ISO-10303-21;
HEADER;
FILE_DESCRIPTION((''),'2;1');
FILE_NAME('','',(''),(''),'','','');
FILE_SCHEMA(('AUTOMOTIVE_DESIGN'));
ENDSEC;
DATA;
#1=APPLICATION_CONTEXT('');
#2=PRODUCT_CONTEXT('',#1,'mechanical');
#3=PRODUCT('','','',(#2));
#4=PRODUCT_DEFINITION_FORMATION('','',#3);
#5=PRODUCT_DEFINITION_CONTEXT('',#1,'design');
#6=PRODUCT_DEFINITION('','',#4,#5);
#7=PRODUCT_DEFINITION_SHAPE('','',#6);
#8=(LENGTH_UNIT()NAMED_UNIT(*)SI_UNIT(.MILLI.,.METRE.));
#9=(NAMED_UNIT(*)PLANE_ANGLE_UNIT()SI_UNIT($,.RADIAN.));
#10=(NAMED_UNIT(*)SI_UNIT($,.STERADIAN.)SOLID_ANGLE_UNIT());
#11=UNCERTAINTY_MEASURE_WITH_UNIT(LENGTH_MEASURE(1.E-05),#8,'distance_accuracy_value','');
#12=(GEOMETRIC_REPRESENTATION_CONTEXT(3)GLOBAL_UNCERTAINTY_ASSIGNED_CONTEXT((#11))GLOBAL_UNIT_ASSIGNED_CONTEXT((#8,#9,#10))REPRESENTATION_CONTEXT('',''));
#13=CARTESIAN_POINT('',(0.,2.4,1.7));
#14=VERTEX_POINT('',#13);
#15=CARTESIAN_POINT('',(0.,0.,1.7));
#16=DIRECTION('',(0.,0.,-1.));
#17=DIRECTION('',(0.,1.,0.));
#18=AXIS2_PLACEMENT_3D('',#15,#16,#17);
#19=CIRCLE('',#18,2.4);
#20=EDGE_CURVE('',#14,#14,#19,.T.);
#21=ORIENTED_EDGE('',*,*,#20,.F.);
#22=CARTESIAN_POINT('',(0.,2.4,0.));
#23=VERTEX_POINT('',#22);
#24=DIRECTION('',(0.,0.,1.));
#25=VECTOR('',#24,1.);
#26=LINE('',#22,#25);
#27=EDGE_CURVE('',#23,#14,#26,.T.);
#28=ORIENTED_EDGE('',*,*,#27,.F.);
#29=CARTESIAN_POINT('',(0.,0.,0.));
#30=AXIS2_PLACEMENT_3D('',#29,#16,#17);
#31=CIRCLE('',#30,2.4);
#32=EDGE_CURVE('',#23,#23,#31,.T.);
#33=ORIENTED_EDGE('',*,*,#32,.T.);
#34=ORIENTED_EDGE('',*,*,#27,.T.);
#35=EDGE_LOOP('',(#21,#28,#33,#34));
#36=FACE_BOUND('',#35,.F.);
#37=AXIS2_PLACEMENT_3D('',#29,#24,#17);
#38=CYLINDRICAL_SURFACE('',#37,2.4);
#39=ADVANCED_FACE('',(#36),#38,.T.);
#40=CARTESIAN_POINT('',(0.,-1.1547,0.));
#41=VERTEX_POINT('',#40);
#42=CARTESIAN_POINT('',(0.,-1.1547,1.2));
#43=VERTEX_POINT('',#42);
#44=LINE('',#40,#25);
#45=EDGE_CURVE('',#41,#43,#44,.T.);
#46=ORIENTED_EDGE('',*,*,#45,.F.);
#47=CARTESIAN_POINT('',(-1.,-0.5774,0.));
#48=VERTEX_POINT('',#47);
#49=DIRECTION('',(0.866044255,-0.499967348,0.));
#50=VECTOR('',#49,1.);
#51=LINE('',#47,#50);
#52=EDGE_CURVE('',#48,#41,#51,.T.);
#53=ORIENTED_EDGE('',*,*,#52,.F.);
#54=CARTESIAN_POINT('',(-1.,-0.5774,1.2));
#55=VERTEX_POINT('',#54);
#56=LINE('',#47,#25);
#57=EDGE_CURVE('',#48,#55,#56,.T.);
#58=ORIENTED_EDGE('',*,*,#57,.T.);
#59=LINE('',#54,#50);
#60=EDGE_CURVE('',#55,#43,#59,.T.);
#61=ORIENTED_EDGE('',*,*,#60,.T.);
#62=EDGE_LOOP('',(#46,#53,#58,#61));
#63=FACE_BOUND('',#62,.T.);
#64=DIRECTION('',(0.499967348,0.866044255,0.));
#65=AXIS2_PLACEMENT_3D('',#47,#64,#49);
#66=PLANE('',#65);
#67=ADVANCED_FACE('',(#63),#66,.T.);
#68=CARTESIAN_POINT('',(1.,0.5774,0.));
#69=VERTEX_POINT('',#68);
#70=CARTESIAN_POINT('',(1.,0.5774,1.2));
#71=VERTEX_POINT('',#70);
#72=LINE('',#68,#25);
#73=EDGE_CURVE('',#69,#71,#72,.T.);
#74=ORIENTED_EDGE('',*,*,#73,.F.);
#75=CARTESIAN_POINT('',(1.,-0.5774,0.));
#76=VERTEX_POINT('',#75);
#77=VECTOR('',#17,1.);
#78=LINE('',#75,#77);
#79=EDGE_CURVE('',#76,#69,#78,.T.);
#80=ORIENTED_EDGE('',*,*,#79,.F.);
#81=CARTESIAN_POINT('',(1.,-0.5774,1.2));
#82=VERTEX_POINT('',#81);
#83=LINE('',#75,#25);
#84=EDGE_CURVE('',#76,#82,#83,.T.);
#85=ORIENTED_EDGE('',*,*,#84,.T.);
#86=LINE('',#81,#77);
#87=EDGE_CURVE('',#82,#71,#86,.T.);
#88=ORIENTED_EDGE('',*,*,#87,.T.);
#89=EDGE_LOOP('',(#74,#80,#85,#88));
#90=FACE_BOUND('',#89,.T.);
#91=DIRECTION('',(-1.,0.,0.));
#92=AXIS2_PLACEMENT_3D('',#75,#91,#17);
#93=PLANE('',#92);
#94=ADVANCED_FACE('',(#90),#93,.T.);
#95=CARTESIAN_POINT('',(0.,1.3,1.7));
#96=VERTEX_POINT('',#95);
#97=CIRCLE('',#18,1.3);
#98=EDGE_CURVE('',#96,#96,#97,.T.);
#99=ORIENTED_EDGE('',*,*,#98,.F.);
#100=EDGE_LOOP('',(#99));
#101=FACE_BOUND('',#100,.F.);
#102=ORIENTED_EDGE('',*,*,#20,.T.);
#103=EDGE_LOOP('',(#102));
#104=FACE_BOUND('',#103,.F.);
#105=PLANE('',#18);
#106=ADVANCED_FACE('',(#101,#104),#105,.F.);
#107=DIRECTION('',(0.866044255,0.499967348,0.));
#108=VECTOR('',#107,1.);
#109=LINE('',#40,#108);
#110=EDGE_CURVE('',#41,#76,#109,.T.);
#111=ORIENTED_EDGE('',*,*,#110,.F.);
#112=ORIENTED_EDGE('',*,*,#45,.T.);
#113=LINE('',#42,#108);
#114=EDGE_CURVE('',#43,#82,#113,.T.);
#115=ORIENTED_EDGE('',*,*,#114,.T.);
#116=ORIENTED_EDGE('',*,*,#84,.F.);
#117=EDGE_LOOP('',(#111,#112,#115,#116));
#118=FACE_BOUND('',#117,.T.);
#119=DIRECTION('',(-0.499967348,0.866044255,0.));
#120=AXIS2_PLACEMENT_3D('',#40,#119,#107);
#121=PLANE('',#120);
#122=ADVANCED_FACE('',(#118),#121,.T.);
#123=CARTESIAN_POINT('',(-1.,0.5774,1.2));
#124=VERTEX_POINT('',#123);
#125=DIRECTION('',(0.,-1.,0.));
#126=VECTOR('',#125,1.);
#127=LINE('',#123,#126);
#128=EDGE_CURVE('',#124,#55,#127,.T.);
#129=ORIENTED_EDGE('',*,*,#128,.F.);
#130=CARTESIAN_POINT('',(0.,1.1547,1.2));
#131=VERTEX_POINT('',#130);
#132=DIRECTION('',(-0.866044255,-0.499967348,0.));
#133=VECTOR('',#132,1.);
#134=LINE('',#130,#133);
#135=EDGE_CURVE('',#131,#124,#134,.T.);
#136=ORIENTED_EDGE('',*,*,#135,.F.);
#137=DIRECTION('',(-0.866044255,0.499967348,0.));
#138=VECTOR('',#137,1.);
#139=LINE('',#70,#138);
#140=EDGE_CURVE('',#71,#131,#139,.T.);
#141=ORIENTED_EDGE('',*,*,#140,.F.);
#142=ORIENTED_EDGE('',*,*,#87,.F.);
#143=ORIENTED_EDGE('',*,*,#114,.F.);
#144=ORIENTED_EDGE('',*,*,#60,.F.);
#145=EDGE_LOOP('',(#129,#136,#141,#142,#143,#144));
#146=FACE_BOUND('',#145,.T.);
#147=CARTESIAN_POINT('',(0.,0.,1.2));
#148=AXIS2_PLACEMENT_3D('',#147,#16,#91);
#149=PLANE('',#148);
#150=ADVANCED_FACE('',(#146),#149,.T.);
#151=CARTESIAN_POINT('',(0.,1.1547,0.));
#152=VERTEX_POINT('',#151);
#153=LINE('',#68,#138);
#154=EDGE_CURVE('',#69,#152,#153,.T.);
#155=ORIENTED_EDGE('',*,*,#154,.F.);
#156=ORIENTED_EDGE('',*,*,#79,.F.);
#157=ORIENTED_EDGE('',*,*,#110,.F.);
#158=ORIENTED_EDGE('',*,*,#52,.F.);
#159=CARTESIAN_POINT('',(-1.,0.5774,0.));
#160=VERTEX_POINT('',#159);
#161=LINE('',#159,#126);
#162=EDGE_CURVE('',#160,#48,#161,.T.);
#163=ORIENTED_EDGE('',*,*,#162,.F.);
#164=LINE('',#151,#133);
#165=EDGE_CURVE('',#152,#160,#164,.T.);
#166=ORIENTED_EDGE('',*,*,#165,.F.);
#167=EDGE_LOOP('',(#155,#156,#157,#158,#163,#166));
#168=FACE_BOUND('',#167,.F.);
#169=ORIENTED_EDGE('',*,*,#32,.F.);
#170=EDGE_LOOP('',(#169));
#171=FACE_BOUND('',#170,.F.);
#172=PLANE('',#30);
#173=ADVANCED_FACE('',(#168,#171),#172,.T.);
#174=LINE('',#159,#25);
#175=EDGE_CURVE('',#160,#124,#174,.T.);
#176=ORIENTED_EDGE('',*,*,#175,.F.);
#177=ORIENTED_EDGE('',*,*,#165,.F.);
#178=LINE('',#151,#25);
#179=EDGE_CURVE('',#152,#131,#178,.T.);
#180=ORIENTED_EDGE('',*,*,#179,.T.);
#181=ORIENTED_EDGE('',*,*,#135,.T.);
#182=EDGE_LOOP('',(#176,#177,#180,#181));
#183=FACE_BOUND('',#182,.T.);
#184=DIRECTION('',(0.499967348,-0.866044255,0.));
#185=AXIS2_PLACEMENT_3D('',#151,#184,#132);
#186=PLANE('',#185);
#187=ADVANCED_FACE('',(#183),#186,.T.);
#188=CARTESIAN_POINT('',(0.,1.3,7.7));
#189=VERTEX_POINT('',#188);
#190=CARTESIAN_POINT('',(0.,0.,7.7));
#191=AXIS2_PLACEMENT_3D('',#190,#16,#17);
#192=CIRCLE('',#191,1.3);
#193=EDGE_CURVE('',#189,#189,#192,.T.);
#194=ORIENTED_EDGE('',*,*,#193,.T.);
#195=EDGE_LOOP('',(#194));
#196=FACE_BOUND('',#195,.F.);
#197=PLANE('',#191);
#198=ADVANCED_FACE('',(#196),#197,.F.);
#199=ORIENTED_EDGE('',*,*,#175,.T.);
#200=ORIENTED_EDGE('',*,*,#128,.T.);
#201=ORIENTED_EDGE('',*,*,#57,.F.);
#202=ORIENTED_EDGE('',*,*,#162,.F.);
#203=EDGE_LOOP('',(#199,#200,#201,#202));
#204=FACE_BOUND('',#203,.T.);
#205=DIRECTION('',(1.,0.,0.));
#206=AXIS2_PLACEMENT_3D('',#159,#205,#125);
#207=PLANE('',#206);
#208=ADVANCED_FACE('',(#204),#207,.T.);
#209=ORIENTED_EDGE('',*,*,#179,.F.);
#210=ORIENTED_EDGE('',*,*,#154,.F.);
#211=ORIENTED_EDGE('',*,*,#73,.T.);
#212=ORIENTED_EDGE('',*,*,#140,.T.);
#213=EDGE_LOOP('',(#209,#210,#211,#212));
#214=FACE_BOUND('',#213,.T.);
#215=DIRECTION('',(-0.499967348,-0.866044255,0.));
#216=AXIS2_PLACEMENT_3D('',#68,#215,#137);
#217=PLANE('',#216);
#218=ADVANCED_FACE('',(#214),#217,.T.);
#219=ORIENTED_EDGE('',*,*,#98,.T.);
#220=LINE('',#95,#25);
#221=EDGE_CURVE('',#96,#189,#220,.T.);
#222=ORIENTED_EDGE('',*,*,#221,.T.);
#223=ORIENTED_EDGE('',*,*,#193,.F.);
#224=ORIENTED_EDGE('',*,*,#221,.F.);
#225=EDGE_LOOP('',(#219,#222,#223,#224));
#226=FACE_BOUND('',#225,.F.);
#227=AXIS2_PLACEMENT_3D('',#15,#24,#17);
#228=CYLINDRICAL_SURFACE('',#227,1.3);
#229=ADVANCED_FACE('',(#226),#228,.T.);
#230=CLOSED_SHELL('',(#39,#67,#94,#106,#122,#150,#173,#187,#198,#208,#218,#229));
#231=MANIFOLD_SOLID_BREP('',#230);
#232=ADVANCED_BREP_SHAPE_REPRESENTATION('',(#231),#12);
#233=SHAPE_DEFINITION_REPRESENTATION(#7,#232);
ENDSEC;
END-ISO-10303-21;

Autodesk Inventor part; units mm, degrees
ref_plane "YZ Plane" through (0, 0, 0) normal (1, 0, 0) x (0, 1, 0)
ref_plane "XZ Plane" through (0, 0, 0) normal (0, 1, 0) x (-1, 0, 0)
ref_plane "XY Plane" through (0, 0, 0) normal (0, 0, 1) x (1, 0, 0)
sketch "スケッチ1" plane through (0, 0, 0) normal (1, 0, 0) x (0, 1, 0)
  line L0 (0, 7.7) -> (0, 0)
  line L1 (0, 0) -> (2.4, 0)
  line L2 (2.4, 0) -> (2.4, 1.7)
  line L3 (2.4, 1.7) -> (1.3, 1.7)
  line L4 (1.3, 1.7) -> (1.3, 7.7)
  line L5 (1.3, 7.7) -> (0, 7.7)
  dimension "d2" = 1.7
  dimension "d10" = 6
  dimension "d11" = 2.6
  dimension "d12" = 4.8
revolve "回転1" add sketch "スケッチ1" angle 360 about axis through (0, 0, 7.7) along (0, 0, -1)
thread "ねじ1" size "M2.6x0.45" class "6g" standard "ANSI Metric M Profile" full length
sketch "スケッチ2" plane through (0, 0, 0) normal (0, 0, -1) x (-1, 0, 0)
  line L0 (0, 1.1547) -> (1, 0.5774)
  line L1 (1, 0.5774) -> (1, -0.5774)
  line L2 (1, -0.5774) -> (0, -1.1547)
  line L3 (0, -1.1547) -> (-1, -0.5774)
  line L4 (-1, -0.5774) -> (-1, 0.5774)
  line L5 (-1, 0.5774) -> (0, 1.1547)
  circle A0 centre (0, 0) radius 2.4 projected
  line L6 (0, 2.4) -> (0, -2.4) construction
  point P0 (0, 0)
  dimension "d7" = 2
extrude "押し出し1" cut sketch "スケッチ2" against normal blind 1.2 contours L0 L1 L2 L3 L4 L5
properties part number "LowHead_M2_6-6" material "ステンレス鋼 AISI 304"
